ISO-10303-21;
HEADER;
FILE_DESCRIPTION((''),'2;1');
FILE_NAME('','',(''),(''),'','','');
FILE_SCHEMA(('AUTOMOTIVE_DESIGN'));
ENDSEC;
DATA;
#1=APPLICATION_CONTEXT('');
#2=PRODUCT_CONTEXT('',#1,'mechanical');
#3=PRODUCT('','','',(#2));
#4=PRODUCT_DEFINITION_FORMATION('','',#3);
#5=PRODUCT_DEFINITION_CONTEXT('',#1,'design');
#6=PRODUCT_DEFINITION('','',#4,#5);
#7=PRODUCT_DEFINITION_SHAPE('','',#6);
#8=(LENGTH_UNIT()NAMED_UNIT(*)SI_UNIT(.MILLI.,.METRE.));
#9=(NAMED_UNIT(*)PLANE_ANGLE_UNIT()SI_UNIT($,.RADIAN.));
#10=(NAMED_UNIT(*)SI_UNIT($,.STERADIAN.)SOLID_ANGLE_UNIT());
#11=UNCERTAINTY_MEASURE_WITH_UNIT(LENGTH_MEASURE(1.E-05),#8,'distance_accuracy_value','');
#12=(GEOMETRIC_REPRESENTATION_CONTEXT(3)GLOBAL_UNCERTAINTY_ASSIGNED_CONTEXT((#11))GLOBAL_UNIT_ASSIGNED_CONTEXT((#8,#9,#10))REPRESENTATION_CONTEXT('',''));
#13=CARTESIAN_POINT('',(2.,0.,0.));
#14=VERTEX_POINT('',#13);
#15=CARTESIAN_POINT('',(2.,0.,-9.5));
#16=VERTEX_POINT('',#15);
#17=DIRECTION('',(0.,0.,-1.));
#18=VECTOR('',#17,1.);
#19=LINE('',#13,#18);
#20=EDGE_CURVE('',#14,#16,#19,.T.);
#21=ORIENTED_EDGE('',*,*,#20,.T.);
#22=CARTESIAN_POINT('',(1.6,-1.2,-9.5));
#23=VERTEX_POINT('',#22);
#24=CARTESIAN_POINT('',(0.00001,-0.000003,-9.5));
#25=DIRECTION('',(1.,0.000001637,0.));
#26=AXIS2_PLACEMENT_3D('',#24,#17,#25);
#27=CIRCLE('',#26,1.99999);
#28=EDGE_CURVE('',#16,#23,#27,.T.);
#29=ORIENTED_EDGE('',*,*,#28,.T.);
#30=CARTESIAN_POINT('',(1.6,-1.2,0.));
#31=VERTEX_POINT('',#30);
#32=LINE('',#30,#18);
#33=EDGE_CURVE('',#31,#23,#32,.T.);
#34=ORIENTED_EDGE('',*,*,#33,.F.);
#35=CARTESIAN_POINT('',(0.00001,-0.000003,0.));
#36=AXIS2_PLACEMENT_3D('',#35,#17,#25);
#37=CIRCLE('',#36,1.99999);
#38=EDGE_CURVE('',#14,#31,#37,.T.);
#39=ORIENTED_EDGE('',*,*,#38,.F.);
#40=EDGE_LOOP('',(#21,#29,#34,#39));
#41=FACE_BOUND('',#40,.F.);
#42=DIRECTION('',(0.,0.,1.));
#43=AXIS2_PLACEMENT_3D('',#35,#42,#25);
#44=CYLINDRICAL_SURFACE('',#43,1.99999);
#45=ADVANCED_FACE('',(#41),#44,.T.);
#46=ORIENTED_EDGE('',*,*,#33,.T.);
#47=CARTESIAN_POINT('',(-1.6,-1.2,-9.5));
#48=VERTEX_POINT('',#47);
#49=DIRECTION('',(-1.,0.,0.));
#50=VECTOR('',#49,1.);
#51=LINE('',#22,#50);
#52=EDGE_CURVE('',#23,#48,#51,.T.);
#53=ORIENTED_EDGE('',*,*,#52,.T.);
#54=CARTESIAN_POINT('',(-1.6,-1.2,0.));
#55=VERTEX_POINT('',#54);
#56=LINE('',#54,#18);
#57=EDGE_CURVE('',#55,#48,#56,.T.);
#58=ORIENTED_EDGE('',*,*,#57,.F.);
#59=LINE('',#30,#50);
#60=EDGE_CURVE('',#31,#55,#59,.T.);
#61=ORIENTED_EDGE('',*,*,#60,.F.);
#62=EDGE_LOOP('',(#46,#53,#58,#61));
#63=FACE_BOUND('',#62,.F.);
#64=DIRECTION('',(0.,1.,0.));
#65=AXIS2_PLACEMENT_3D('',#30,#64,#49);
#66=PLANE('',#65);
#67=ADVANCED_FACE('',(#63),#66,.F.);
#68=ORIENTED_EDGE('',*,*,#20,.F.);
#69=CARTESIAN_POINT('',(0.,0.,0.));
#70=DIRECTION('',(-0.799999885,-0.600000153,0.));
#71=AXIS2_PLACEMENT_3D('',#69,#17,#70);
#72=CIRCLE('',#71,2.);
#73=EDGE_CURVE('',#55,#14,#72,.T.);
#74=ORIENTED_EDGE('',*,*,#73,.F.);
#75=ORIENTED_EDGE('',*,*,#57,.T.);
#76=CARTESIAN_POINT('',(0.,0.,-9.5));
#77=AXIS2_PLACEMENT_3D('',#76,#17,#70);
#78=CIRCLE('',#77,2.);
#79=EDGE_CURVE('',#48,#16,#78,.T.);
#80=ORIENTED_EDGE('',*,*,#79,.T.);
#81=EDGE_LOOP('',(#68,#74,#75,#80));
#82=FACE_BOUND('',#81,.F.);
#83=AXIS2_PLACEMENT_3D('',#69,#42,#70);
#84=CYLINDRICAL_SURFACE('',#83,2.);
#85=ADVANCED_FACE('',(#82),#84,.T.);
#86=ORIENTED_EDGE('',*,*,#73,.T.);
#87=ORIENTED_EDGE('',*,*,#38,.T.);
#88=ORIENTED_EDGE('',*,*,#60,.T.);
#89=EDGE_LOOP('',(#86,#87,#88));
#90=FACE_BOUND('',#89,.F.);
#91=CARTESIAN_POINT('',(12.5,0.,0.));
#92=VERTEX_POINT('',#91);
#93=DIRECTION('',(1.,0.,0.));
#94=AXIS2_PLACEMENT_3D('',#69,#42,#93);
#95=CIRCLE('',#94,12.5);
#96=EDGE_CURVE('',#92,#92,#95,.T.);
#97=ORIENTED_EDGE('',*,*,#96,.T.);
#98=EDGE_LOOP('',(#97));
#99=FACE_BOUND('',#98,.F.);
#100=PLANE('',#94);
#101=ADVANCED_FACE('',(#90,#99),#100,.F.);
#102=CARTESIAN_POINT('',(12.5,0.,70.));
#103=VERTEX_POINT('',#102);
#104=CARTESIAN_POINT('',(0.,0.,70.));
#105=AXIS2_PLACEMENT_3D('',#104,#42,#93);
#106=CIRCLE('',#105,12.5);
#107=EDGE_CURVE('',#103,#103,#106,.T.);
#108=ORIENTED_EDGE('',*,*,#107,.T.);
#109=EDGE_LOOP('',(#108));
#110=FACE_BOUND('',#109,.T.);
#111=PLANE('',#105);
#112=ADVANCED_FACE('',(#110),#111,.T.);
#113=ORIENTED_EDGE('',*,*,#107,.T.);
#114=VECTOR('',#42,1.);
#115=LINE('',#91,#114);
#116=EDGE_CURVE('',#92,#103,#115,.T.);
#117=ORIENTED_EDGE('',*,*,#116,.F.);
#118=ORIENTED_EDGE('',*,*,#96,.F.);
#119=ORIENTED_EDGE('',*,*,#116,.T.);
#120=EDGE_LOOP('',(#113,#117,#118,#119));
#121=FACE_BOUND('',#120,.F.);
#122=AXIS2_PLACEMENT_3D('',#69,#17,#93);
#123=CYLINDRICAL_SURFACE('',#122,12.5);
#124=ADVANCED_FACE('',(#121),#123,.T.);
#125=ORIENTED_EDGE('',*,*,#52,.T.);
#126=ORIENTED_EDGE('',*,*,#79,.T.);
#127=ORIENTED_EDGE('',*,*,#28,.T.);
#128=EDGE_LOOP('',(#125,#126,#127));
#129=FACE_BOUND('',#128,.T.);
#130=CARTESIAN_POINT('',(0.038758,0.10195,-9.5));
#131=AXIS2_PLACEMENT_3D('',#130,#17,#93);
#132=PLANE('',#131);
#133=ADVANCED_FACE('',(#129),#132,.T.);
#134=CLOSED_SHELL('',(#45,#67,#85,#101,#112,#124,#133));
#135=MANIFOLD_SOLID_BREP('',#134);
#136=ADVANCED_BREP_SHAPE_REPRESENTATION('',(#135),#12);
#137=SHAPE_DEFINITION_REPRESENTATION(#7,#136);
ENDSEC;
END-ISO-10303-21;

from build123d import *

# Parameters (mm, degrees)
F0_R     = 12.5
F1_DEPTH = 70
F3_DEPTH = 9.5


with BuildPart() as f1:
    # F0 (on Top) → F1 (new body)
    with BuildSketch(Plane.XY):
        Circle(F0_R)
    extrude(amount=F1_DEPTH)

    # F2 (on face) → F3 (join)
    with BuildSketch(Plane(origin=(0, 0, 0), x_dir=(1, 0, 0), z_dir=(0, 0, -1))):
        with BuildLine():
            ThreePointArc((-1.6, 1.2), (-0.632456, -1.897367), (2, 0))
            ThreePointArc((2, 0), (1.897367, 0.632456), (1.6, 1.2))
            Line((1.6, 1.2), (-1.6, 1.2))
        make_face()
    extrude(amount=F3_DEPTH)


solid = f1.part
